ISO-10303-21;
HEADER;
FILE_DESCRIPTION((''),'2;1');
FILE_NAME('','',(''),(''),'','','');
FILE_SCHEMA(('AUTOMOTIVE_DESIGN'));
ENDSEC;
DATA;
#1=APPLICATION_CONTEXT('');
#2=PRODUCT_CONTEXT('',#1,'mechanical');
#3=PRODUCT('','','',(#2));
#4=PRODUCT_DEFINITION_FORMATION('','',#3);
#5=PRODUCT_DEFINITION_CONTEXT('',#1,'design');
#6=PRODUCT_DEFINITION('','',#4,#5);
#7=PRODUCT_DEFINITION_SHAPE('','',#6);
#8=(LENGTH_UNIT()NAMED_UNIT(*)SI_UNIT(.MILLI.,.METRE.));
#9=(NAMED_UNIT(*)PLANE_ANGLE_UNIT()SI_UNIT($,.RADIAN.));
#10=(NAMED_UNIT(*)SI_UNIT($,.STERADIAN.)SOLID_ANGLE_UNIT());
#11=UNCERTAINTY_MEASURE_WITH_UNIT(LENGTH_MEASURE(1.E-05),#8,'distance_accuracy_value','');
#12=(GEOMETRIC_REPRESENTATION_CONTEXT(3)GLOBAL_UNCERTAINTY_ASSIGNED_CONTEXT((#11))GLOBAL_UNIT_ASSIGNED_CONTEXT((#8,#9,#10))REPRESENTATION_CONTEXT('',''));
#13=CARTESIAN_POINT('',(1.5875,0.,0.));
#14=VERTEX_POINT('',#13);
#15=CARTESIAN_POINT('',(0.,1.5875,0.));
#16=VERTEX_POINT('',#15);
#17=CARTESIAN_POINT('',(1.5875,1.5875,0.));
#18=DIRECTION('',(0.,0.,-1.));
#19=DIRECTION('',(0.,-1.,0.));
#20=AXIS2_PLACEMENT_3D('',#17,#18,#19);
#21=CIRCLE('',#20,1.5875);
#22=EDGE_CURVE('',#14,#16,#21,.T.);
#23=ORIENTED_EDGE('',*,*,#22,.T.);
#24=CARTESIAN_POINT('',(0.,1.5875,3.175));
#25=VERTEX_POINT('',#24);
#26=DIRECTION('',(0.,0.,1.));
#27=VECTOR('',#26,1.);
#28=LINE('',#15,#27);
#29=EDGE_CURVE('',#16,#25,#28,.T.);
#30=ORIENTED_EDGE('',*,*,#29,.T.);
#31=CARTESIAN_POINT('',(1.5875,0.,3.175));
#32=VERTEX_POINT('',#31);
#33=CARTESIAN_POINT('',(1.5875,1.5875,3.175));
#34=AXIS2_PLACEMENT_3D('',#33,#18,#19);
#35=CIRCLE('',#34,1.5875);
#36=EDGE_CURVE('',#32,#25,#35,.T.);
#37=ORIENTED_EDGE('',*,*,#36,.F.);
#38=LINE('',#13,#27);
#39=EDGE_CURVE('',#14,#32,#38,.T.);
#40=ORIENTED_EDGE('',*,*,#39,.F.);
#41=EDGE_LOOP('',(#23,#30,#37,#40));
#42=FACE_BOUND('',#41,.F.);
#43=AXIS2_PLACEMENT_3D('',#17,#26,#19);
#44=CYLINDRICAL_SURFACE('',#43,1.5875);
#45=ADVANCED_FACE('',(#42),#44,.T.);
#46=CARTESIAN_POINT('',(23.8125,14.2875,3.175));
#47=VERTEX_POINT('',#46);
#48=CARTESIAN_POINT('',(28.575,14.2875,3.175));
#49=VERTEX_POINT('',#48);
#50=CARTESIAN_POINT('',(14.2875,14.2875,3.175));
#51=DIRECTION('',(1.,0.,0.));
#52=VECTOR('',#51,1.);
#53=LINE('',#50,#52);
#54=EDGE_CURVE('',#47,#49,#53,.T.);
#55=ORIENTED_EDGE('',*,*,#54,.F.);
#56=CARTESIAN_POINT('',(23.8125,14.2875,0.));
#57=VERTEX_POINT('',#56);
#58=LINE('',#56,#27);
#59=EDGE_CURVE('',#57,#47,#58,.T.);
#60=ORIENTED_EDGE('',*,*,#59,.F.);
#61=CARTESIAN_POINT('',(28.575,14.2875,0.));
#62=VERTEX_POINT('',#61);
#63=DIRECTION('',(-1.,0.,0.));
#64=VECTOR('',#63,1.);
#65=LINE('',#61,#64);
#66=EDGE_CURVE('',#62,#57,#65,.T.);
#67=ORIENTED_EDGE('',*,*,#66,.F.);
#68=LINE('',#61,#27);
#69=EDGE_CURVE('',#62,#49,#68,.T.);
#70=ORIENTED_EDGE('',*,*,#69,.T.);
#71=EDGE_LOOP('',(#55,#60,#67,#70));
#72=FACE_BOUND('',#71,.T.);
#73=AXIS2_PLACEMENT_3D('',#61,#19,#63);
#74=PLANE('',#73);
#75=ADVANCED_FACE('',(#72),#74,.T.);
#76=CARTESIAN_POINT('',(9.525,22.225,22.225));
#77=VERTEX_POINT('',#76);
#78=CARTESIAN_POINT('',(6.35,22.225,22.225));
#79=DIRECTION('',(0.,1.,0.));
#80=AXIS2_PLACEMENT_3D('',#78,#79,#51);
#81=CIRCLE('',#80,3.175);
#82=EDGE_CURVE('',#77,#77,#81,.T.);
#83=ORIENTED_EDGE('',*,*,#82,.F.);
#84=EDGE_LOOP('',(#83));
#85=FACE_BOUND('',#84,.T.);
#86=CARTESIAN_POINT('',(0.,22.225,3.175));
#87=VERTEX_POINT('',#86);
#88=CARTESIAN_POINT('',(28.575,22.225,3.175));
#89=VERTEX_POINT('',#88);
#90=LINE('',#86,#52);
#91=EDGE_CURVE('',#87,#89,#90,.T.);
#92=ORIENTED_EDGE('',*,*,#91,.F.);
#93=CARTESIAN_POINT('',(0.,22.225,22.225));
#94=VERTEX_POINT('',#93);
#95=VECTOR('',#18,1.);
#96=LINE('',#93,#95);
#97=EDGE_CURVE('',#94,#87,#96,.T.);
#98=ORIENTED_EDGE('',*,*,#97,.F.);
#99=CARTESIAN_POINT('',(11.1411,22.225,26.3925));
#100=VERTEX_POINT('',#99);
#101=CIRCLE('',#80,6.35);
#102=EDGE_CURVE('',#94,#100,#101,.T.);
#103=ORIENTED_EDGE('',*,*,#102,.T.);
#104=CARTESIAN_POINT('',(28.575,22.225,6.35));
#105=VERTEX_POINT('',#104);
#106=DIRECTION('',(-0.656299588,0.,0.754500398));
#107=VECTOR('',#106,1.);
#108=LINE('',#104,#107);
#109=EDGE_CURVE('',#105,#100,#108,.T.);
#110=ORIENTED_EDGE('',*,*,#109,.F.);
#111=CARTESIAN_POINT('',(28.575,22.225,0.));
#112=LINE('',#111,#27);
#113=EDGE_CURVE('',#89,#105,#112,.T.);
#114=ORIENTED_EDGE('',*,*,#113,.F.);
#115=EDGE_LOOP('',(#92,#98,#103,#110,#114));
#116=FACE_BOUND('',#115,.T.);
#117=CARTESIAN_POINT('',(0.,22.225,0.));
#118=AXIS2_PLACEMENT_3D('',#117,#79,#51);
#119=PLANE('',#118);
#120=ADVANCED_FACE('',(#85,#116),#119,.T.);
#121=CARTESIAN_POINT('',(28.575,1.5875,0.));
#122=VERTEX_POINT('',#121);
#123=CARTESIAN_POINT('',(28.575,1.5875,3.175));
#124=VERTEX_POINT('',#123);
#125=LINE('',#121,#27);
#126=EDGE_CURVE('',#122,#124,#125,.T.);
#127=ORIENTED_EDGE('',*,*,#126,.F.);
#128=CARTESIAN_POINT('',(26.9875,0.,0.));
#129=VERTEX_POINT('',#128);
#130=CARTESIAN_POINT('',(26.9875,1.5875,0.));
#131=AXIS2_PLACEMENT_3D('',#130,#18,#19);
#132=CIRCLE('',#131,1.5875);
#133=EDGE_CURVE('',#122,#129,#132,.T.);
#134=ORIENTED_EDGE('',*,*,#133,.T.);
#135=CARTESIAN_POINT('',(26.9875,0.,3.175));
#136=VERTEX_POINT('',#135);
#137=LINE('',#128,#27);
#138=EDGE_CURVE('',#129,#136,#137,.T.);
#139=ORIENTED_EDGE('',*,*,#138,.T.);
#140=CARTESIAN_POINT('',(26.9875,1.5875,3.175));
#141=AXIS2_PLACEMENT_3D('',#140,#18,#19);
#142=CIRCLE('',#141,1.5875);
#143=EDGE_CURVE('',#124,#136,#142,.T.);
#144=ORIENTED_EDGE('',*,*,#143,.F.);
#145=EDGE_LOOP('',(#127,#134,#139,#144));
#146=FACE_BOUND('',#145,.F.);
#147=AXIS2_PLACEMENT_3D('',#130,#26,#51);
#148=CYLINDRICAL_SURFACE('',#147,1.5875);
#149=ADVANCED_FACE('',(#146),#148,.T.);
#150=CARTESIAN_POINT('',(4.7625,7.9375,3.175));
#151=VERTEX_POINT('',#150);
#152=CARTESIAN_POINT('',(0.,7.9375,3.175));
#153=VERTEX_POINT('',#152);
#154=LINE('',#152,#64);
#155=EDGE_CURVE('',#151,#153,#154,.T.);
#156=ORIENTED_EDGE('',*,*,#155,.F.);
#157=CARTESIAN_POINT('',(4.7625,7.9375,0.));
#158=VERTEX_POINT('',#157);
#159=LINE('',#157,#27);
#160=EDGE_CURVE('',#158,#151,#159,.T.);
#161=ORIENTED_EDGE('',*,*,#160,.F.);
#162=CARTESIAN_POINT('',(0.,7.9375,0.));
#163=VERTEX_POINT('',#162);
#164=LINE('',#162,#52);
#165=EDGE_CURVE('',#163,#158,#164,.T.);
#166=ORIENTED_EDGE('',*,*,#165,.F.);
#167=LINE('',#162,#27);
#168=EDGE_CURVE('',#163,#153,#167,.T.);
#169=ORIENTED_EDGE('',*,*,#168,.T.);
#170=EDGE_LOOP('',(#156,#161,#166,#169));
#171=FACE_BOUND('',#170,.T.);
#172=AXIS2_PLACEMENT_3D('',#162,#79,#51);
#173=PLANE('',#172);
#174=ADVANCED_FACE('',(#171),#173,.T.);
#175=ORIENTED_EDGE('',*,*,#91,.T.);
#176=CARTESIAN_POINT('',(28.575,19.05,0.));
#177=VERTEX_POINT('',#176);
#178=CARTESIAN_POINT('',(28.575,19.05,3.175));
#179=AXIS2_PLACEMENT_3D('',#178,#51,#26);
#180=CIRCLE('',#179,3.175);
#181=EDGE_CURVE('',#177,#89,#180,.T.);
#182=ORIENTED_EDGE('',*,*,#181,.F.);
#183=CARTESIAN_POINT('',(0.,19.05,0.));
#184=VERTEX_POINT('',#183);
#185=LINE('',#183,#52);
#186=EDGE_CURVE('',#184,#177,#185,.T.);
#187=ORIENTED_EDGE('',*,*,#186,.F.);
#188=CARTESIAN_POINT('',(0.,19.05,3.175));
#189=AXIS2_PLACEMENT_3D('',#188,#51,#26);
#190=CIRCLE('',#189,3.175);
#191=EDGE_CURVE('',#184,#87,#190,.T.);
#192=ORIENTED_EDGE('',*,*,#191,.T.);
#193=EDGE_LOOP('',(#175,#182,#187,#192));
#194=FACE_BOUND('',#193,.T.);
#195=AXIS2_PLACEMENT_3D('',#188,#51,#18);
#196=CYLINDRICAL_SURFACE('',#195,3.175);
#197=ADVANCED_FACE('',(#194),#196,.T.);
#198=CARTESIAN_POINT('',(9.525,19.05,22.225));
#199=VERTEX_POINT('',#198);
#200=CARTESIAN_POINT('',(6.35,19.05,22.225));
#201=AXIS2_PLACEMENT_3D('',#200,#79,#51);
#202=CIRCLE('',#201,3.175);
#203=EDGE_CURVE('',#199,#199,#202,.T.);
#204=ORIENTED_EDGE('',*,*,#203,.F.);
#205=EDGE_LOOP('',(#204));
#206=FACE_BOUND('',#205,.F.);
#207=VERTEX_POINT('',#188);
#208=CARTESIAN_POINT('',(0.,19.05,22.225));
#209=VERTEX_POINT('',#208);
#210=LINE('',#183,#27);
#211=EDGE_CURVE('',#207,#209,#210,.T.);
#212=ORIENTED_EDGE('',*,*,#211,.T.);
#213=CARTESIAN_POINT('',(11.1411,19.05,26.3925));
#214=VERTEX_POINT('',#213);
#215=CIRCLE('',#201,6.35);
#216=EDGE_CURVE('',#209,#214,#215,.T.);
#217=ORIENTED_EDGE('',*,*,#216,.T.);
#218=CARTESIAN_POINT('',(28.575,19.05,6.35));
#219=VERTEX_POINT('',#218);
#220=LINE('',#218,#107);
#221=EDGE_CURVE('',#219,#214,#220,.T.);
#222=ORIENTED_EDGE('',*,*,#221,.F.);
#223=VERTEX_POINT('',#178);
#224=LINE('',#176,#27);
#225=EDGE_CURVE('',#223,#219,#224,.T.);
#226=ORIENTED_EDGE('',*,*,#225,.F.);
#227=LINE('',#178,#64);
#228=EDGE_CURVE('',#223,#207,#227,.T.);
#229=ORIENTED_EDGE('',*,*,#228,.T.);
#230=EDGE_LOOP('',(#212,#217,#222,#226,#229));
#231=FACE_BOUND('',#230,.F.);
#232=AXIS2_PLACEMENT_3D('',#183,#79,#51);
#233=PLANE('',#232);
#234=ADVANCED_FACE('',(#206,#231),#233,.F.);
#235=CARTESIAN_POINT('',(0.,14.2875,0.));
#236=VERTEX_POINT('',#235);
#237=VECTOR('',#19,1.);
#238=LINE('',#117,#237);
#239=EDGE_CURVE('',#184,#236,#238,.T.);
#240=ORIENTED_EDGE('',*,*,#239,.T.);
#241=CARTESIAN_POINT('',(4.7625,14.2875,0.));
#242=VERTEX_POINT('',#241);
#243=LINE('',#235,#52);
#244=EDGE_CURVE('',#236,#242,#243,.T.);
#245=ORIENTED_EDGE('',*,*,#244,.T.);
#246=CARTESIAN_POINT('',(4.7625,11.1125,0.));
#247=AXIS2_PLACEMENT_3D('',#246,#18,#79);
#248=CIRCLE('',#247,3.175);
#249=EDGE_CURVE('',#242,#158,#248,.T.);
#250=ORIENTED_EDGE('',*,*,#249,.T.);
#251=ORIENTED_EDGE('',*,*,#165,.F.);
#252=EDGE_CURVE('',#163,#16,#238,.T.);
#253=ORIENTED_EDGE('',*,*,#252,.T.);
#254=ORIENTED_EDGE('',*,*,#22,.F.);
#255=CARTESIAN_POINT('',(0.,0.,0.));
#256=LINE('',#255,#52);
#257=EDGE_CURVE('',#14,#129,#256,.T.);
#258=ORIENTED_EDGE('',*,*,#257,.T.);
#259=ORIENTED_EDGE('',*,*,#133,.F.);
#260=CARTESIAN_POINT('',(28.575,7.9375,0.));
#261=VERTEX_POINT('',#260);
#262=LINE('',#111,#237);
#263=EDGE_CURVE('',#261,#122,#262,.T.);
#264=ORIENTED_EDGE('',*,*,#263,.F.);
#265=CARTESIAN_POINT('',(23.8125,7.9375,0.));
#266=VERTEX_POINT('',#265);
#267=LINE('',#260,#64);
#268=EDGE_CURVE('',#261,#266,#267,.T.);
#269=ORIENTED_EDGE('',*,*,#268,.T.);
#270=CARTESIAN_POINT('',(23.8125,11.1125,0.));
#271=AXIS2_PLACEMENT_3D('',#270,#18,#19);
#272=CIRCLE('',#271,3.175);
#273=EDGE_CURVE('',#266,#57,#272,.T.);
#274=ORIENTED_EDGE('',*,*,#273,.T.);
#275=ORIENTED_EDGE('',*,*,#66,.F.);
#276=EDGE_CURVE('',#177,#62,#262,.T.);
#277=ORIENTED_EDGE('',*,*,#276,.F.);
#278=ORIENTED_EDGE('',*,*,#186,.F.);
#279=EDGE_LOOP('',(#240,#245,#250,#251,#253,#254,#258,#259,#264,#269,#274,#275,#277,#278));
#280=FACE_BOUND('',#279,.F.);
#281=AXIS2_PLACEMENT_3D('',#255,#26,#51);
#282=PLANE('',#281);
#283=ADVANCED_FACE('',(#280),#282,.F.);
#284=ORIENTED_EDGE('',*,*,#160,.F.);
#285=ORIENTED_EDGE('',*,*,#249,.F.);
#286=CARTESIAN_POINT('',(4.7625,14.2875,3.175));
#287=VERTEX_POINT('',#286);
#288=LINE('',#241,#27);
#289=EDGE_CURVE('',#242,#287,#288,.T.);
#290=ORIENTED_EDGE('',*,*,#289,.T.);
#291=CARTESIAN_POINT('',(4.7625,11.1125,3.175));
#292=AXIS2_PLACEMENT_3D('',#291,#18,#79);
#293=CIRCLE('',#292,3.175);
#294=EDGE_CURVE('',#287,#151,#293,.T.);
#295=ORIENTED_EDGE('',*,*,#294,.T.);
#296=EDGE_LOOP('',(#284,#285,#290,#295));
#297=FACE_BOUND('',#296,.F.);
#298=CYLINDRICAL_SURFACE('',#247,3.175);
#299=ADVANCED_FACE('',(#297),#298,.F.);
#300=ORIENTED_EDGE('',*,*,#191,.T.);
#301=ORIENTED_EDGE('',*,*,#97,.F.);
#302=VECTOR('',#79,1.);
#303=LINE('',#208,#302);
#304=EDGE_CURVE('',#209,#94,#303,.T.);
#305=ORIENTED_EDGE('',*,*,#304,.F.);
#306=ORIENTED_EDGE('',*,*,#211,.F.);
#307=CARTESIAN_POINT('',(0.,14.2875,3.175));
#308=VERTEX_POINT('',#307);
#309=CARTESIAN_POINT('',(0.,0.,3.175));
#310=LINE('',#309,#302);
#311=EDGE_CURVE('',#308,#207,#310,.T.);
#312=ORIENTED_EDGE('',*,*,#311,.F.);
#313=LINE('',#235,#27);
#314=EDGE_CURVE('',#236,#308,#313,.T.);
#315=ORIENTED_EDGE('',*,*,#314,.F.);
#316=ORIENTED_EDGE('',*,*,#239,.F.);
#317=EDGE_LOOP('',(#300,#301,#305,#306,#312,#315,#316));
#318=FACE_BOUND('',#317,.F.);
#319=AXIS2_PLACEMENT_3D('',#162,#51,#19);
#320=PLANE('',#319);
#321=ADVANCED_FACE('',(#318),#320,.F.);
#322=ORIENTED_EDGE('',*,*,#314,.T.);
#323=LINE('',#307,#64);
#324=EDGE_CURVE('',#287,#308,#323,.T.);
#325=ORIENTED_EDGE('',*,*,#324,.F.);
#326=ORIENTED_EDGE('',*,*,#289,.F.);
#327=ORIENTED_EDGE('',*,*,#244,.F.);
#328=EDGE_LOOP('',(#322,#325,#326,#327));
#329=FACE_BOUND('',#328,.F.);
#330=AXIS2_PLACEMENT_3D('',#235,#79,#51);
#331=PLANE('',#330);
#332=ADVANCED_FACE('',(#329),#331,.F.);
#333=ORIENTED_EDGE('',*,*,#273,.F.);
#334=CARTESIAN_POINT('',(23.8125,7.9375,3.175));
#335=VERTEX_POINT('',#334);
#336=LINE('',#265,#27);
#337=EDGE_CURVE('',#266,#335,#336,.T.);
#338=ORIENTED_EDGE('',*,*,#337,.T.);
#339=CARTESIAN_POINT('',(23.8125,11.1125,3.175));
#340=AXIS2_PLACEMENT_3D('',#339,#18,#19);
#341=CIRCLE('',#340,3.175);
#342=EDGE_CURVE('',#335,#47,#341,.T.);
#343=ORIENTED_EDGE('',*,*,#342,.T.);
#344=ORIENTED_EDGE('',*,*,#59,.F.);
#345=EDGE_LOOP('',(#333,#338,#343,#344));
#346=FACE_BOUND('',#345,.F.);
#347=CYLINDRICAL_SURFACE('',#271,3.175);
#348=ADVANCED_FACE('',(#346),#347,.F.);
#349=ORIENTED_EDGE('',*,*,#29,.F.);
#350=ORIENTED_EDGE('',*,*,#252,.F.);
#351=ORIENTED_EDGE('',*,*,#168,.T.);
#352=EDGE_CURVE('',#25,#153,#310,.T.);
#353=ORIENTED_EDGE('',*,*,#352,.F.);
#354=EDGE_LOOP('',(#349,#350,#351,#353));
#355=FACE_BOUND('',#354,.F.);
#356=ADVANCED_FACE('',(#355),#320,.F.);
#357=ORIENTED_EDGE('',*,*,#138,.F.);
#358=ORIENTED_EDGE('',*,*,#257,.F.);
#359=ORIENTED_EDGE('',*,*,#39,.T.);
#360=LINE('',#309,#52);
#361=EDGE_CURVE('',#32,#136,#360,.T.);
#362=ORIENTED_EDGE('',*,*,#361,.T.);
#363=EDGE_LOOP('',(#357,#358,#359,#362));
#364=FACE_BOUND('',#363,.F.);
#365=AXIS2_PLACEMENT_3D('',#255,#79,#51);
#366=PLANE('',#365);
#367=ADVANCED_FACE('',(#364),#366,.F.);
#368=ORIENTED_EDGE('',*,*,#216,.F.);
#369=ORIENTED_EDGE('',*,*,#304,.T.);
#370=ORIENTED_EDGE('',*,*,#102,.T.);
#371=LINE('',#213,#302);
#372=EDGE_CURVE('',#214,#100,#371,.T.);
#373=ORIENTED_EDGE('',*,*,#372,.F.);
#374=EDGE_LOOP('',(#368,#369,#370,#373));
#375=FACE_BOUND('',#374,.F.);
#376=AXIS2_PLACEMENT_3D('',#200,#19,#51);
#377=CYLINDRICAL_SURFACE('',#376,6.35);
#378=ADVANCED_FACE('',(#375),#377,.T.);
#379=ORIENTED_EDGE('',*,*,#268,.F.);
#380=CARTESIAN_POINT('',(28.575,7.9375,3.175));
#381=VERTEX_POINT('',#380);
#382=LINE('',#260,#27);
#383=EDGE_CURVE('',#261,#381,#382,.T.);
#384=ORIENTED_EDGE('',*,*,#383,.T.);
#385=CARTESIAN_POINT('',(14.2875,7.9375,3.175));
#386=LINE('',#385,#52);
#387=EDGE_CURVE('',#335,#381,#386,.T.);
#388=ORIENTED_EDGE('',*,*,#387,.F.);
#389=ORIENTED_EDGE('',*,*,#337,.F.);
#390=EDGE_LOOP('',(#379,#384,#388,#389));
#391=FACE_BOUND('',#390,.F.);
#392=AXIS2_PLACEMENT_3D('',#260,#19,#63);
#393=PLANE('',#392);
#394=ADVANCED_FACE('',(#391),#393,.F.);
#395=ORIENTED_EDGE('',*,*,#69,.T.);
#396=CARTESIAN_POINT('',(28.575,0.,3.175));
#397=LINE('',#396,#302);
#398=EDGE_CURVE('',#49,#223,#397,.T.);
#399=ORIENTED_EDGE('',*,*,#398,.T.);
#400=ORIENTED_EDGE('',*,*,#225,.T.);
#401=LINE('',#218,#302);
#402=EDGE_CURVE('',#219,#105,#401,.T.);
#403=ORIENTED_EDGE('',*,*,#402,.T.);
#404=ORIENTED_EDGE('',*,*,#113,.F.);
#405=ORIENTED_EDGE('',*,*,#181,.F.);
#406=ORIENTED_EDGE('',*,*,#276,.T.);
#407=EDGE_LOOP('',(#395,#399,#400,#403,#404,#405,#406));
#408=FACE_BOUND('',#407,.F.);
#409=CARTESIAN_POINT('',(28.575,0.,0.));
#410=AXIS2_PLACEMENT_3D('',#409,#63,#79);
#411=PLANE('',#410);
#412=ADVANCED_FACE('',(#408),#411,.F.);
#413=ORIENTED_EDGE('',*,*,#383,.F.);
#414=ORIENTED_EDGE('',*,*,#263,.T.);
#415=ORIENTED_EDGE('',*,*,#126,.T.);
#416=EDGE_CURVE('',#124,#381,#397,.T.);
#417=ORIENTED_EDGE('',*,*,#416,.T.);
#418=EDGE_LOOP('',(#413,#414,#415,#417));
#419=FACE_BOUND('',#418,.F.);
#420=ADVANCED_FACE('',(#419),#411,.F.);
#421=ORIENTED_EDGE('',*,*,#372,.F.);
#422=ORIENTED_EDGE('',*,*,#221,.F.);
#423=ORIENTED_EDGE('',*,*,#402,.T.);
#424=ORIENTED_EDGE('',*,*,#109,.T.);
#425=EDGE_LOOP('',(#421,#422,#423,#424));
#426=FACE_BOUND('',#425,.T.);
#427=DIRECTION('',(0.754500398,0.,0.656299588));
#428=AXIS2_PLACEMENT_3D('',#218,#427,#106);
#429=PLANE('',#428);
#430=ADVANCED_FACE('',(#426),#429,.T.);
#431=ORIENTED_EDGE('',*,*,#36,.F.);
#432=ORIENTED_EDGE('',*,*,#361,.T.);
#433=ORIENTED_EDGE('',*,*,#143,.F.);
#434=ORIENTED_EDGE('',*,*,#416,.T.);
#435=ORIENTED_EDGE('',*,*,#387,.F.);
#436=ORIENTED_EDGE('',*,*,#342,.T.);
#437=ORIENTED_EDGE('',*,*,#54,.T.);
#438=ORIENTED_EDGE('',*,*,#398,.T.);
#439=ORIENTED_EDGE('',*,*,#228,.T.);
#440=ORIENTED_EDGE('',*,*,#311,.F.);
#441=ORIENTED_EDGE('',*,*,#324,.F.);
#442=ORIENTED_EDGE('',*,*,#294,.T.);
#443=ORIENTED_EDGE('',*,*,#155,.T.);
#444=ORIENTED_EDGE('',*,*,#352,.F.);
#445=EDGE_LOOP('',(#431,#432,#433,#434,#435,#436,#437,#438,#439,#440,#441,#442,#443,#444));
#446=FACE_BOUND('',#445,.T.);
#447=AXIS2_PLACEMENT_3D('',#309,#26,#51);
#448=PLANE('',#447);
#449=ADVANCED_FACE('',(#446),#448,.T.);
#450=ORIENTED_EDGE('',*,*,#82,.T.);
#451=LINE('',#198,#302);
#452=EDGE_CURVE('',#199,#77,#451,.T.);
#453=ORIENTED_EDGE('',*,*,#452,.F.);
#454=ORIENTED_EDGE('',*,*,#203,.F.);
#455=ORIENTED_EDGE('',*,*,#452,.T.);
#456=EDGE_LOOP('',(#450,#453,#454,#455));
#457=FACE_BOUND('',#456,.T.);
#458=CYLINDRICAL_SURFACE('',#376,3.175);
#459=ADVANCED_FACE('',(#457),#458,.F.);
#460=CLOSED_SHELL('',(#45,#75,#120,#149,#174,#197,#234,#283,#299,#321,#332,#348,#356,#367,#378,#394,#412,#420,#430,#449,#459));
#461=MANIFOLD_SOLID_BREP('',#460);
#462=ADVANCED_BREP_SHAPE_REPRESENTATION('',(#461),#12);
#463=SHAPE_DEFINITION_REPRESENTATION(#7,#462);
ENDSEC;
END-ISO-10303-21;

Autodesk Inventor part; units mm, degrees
ref_plane "YZ Plane" through (0, 0, 0) normal (1, 0, 0) x (0, 1, 0)
ref_plane "XZ Plane" through (0, 0, 0) normal (0, 1, 0) x (-1, 0, 0)
ref_plane "XY Plane" through (0, 0, 0) normal (0, 0, 1) x (1, 0, 0)
sketch "Sketch1" plane through (0, 0, 0) normal (0, 0, 1) x (1, 0, 0)
  line L0 (0, 0) -> (28.575, 0)
  line L1 (28.575, 0) -> (28.575, 19.05)
  line L2 (28.575, 19.05) -> (0, 19.05)
  line L3 (0, 19.05) -> (0, 0)
  arc A0 (23.8125, 14.2875) -> (23.8125, 7.9375) centre (23.8125, 11.1125) ccw
  arc A1 (4.7625, 7.9375) -> (4.7625, 14.2875) centre (4.7625, 11.1125) ccw
  line L4 (0, 7.9375) -> (4.7625, 7.9375)
  line L5 (0, 14.2875) -> (4.7625, 14.2875)
  line L6 (28.575, 14.2875) -> (23.8125, 14.2875)
  line L7 (28.575, 7.9375) -> (23.8125, 7.9375)
  dimension "d4" = 28.575
  dimension "d5" = 19.05
  dimension "d18" = 7.9375
  dimension "d19" = 4.7625
  dimension "d20" = 7.9375
  dimension "d21" = 4.7625
  dimension "d22" = 6.35
  dimension "d23" = 6.35
  dimension "d24" = 4.7625
  dimension "d25" = 4.7625
  dimension "d26" = 4.7625
  dimension "d27" = 4.7625
extrude "Extrusion1" add sketch "Sketch1" along normal blind 3.175
sketch "Sketch3" plane through (0, 19.05, 0) normal (0, 1, 0) x (1, 0, 0)
  line L0 (0, 0) -> (28.575, 0) projected
  line L1 (0, 0) -> (28.575, 0)
  line L2 (28.575, 0) -> (28.575, -6.35)
  line L3 (28.575, -6.35) -> (0, -6.35)
  line L4 (0, 0) -> (0, -3.175) projected
  line L5 (0, 0) -> (0, -22.225)
  circle A0 centre (6.35, -22.225) radius 6.35
  line L6 (28.575, -6.35) -> (11.1411, -26.3925)
  circle A1 centre (6.35, -22.225) radius 3.175
  dimension "d6" = 6.35
  dimension "d8" = 22.225
  dimension "d10" = 28.575
  dimension "d12" = 12.7
  dimension "d13" = 6.35
  dimension "d16" = 6.35
extrude "Extrusion2" add sketch "Sketch3" along normal blind 3.175
fillet "Fillet1" radius 3.175 1 edges at (14.2875, 22.225, 0)
sketch "Sketch4" plane through (0, 0, 0) normal (0, 0, -1) x (-1, 0, 0)
  arc A0 (-23.8125, 7.9375) -> (-23.8125, 14.2875) centre (-23.8125, 11.1125) ccw
  arc A1 (-4.7625, 14.2875) -> (-4.7625, 7.9375) centre (-4.7625, 11.1125) ccw
  line L0 (-28.575, 19.05) -> (0, 19.05) projected
  line L1 (-28.575, 0) -> (-28.575, 19.05) projected
  line L2 (0, 0) -> (0, 19.05) projected
  line L3 (-28.575, 0) -> (-28.575, 19.05) projected
  line L4 (-28.575, 14.2875) -> (-23.8125, 14.2875)
  line L5 (-28.575, 7.9375) -> (-23.8125, 7.9375)
  line L6 (0, 19.05) -> (0, 0) projected
  line L7 (0, 14.2875) -> (-4.7625, 14.2875)
  line L8 (0, 7.9375) -> (-4.7625, 7.9375)
  dimension "d28" = 6.35
  dimension "d29" = 6.35
  dimension "d30" = 7.9375
  dimension "d31" = 7.9375
  dimension "d32" = 4.7625
  dimension "d33" = 4.7625
  dimension "d34" = 4.7625
  dimension "d35" = 4.7625
  dimension "d36" = 4.7625
  dimension "d38" = 4.7625
extrude "Extrusion3" cut sketch "Sketch4" against normal through all
fillet "Fillet2" radius 1.5875 2 edges at (28.575, 0, 1.5875) (0, 0, 1.5875)
equation "\"d23\" = d22"
equation "\"d24\" = d21"
equation "\"d26\" = d19"
equation "\"d27\" = d19"
equation "\"d29\" = d28"
equation "\"d31\" = d30"
equation "\"d34\" = d32"
equation "\"d35\" = d32"
equation "\"d36\" = d33"
equation "\"d38\" = d33"
properties part number "LeftAngleBracket-1111-2018" material "Aluminum 6061"
